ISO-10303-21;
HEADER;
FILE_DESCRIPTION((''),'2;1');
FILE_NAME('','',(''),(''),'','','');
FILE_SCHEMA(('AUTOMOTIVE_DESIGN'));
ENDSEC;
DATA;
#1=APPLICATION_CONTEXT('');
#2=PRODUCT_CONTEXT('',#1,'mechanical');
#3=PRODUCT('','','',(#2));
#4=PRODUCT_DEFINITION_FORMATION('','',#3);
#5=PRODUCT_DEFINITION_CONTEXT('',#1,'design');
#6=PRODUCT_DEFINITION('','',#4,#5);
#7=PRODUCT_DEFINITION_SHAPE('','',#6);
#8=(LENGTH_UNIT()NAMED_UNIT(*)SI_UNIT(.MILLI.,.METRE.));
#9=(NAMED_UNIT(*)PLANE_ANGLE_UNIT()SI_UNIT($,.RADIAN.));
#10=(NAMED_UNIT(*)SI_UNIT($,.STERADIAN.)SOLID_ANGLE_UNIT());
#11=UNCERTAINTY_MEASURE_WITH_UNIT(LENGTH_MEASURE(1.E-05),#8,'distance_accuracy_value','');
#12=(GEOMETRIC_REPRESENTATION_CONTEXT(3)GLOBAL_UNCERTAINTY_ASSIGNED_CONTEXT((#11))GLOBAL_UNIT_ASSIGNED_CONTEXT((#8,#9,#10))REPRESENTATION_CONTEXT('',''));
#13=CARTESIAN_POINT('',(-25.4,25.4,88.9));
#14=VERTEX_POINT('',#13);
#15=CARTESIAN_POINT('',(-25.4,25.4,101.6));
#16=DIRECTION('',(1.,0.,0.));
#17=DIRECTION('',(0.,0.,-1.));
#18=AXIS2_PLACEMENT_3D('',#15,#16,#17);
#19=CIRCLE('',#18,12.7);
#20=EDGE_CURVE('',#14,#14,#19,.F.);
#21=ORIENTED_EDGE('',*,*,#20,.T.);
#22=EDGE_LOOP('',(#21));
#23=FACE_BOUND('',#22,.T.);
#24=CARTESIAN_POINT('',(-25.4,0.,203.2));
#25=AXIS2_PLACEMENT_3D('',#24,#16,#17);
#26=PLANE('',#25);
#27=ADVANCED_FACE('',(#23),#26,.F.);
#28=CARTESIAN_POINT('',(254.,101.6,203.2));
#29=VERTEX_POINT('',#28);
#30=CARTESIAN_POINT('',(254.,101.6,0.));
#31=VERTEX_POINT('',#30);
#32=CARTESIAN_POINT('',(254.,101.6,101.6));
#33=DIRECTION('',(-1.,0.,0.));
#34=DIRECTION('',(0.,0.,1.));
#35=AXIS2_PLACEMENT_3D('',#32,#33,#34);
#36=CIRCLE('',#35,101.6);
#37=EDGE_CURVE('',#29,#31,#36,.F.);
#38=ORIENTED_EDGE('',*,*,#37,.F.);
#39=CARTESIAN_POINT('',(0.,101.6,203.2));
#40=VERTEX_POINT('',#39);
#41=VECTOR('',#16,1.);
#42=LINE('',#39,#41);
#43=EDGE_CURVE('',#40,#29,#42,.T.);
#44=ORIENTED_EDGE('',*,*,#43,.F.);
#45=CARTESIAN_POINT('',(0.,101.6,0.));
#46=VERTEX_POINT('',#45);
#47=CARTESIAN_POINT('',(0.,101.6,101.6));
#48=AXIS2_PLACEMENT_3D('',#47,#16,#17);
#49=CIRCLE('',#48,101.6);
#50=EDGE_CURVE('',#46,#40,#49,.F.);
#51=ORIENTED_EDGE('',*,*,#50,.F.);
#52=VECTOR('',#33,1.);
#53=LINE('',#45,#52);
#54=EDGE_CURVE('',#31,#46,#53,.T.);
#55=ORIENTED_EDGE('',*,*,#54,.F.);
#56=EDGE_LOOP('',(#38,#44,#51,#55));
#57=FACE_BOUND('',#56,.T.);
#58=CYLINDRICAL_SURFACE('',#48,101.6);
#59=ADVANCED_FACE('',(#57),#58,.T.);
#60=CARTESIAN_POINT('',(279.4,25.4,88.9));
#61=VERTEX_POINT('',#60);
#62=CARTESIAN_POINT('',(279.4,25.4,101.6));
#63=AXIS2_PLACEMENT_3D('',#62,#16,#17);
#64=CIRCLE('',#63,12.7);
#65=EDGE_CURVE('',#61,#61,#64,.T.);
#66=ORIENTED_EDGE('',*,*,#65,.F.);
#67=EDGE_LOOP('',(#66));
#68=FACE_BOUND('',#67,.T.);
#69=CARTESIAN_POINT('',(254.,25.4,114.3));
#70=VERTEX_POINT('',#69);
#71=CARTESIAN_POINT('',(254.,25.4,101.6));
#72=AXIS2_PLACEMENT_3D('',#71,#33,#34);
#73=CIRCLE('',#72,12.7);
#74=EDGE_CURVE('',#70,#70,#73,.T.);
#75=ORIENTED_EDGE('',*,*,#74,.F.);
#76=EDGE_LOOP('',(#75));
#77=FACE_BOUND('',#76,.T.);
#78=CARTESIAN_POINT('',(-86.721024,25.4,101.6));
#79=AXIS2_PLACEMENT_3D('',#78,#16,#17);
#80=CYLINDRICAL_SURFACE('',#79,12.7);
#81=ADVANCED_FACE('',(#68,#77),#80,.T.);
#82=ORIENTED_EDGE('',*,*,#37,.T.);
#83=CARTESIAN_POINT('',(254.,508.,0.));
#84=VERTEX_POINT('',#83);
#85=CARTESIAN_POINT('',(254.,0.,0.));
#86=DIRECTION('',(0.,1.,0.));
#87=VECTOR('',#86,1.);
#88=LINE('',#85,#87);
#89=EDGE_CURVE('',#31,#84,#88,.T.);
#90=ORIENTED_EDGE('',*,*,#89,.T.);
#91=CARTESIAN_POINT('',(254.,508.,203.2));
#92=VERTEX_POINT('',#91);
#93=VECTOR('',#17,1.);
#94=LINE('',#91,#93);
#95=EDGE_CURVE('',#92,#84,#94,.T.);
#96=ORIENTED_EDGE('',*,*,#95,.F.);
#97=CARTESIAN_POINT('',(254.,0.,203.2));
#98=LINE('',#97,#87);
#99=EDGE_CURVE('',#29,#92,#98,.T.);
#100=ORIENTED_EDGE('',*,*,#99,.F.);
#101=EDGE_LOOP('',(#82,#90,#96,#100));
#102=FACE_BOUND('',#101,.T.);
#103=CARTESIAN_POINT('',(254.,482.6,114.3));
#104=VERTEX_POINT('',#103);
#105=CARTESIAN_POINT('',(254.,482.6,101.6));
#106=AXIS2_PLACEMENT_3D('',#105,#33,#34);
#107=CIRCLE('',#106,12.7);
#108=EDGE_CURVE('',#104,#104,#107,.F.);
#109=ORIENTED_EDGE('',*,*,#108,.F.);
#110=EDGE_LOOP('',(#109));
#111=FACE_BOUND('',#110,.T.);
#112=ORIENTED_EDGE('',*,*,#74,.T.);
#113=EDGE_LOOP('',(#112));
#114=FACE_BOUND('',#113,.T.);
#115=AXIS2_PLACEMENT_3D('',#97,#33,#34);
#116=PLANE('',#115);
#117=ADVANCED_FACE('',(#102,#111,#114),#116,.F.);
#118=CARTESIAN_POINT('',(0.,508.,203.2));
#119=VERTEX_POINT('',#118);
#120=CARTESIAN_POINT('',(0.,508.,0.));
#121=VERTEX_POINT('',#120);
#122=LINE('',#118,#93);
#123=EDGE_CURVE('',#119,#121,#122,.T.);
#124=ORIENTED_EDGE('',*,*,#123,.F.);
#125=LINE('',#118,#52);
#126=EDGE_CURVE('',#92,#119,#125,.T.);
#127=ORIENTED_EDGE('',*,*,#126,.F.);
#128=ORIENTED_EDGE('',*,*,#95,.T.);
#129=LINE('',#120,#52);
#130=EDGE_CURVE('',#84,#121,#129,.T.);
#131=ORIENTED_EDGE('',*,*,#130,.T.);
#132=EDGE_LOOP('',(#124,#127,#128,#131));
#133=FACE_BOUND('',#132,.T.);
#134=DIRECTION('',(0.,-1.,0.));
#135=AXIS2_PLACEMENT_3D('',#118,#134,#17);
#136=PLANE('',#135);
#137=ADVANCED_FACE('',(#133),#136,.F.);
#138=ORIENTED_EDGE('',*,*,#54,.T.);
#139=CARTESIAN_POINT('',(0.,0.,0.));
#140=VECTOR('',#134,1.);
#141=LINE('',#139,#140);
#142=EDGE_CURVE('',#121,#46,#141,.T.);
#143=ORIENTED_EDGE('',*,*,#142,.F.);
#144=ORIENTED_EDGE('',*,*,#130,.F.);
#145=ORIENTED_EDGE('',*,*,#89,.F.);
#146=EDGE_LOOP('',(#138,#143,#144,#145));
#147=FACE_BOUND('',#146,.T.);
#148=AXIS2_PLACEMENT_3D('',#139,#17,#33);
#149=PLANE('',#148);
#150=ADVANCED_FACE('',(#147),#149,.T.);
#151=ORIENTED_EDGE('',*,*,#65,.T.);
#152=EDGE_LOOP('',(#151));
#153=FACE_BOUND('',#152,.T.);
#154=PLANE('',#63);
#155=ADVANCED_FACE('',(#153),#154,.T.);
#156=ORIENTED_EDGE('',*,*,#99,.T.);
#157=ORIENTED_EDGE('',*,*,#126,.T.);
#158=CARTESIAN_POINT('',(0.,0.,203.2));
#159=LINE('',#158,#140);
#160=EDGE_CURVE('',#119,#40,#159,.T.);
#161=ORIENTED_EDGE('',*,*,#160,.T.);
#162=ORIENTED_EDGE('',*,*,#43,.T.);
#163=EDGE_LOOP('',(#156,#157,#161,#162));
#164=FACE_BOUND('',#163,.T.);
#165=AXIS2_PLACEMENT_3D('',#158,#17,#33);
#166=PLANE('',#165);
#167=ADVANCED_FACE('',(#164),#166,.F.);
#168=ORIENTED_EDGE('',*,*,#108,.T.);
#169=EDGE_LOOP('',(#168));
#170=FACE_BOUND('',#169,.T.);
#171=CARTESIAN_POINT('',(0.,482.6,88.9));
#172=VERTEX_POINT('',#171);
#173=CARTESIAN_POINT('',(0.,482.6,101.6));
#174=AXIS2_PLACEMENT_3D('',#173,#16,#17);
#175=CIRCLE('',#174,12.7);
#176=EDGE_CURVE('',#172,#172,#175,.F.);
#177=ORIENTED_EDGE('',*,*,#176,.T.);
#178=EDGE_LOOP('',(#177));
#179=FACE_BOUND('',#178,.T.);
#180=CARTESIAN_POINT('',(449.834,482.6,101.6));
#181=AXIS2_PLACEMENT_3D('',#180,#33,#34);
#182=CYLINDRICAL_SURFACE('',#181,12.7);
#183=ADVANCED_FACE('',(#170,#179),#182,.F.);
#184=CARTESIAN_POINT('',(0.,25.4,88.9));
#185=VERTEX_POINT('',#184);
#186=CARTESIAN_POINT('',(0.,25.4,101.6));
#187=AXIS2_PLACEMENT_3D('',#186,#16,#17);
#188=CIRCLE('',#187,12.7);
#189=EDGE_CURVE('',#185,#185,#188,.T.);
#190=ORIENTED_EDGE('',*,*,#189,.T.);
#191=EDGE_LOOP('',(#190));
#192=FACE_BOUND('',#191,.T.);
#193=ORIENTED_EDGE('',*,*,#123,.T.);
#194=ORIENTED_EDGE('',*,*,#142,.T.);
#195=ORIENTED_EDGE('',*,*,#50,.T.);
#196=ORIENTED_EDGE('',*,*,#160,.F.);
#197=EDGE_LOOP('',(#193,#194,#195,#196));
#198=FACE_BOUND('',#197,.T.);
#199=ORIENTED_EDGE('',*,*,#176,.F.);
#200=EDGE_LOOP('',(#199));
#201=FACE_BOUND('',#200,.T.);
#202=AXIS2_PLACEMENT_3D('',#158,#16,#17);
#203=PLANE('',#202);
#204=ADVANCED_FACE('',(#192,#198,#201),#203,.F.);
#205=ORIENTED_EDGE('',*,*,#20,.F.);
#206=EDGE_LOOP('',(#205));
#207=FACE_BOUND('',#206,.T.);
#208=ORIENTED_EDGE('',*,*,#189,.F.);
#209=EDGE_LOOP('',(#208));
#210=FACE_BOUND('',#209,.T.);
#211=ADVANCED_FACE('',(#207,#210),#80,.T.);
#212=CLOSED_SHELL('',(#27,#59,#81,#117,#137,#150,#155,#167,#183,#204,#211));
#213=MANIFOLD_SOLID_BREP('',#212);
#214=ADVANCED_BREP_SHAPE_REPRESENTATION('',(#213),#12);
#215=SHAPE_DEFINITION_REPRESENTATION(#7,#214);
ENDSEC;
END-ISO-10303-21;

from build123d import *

# Parameters (mm, degrees)
SKETCH1_W                = 254
SKETCH1_H                = 508
BOSS_EXTRUDE1_DEPTH      = 203.2
FILLET1_RADIUS           = 101.6
FILLET1_LENGTH           = 254
BOSS_EXTRUDE2_DEPTH      = 25.4
BOSS_EXTRUDE2_DEPTH_BACK = 279.4
SKETCH2_R                = 12.7
CUT_EXTRUDE1_DEPTH       = 195.834
CUT_EXTRUDE1_DEPTH_BACK  = 440.182
SKETCH4_R                = 12.7


with BuildPart() as part:
    # Sketch1 → Boss-Extrude1 (new body)
    with BuildSketch(Plane.XY):
        with Locations((127, 254)):
            Rectangle(SKETCH1_W, SKETCH1_H)
    extrude(amount=BOSS_EXTRUDE1_DEPTH)

    # Fillet1: full round fillet: the end face becomes a half cylinder, R = half its width
    fillet1_face = Plane((127, 0, 101.6), x_dir=(1, 0, 0), z_dir=(0, -1, 0))  # on the end face: x along it, z out of the body
    fillet1_slab = fillet1_face.offset(-FILLET1_RADIUS / 2) * Box(FILLET1_LENGTH, 2 * FILLET1_RADIUS, FILLET1_RADIUS, mode=Mode.PRIVATE)  # the body's end, R deep
    fillet1_round = Plane((127, 101.6, 101.6), x_dir=(0, -1, 0), z_dir=(1, 0, 0)) * Cylinder(FILLET1_RADIUS, FILLET1_LENGTH, mode=Mode.PRIVATE)  # its axis R under the face
    add(fillet1_slab - fillet1_round, mode=Mode.SUBTRACT)

    # Sketch2 → Boss-Extrude2 (add, two sides: drawn at the far end of the back side and taken through both)
    with BuildSketch(Plane(origin=(254, 0, 0), x_dir=(0, 0, -1), z_dir=(1, 0, 0)).offset(-BOSS_EXTRUDE2_DEPTH_BACK)):
        with Locations((-101.6, 25.4)):
            Circle(SKETCH2_R)
    extrude(amount=BOSS_EXTRUDE2_DEPTH + BOSS_EXTRUDE2_DEPTH_BACK)

    # Sketch4 → Cut-Extrude1 (cut, two sides: drawn at the far end of the back side and taken through both)
    with BuildSketch(Plane(origin=(254, 0, 0), x_dir=(0, 0, -1), z_dir=(1, 0, 0)).offset(-CUT_EXTRUDE1_DEPTH_BACK)):
        with Locations(Location((-101.6, 482.6, 0), (0, 0, 180))):
            Circle(SKETCH4_R)
    extrude(amount=CUT_EXTRUDE1_DEPTH + CUT_EXTRUDE1_DEPTH_BACK, mode=Mode.SUBTRACT)


solid = part.part
